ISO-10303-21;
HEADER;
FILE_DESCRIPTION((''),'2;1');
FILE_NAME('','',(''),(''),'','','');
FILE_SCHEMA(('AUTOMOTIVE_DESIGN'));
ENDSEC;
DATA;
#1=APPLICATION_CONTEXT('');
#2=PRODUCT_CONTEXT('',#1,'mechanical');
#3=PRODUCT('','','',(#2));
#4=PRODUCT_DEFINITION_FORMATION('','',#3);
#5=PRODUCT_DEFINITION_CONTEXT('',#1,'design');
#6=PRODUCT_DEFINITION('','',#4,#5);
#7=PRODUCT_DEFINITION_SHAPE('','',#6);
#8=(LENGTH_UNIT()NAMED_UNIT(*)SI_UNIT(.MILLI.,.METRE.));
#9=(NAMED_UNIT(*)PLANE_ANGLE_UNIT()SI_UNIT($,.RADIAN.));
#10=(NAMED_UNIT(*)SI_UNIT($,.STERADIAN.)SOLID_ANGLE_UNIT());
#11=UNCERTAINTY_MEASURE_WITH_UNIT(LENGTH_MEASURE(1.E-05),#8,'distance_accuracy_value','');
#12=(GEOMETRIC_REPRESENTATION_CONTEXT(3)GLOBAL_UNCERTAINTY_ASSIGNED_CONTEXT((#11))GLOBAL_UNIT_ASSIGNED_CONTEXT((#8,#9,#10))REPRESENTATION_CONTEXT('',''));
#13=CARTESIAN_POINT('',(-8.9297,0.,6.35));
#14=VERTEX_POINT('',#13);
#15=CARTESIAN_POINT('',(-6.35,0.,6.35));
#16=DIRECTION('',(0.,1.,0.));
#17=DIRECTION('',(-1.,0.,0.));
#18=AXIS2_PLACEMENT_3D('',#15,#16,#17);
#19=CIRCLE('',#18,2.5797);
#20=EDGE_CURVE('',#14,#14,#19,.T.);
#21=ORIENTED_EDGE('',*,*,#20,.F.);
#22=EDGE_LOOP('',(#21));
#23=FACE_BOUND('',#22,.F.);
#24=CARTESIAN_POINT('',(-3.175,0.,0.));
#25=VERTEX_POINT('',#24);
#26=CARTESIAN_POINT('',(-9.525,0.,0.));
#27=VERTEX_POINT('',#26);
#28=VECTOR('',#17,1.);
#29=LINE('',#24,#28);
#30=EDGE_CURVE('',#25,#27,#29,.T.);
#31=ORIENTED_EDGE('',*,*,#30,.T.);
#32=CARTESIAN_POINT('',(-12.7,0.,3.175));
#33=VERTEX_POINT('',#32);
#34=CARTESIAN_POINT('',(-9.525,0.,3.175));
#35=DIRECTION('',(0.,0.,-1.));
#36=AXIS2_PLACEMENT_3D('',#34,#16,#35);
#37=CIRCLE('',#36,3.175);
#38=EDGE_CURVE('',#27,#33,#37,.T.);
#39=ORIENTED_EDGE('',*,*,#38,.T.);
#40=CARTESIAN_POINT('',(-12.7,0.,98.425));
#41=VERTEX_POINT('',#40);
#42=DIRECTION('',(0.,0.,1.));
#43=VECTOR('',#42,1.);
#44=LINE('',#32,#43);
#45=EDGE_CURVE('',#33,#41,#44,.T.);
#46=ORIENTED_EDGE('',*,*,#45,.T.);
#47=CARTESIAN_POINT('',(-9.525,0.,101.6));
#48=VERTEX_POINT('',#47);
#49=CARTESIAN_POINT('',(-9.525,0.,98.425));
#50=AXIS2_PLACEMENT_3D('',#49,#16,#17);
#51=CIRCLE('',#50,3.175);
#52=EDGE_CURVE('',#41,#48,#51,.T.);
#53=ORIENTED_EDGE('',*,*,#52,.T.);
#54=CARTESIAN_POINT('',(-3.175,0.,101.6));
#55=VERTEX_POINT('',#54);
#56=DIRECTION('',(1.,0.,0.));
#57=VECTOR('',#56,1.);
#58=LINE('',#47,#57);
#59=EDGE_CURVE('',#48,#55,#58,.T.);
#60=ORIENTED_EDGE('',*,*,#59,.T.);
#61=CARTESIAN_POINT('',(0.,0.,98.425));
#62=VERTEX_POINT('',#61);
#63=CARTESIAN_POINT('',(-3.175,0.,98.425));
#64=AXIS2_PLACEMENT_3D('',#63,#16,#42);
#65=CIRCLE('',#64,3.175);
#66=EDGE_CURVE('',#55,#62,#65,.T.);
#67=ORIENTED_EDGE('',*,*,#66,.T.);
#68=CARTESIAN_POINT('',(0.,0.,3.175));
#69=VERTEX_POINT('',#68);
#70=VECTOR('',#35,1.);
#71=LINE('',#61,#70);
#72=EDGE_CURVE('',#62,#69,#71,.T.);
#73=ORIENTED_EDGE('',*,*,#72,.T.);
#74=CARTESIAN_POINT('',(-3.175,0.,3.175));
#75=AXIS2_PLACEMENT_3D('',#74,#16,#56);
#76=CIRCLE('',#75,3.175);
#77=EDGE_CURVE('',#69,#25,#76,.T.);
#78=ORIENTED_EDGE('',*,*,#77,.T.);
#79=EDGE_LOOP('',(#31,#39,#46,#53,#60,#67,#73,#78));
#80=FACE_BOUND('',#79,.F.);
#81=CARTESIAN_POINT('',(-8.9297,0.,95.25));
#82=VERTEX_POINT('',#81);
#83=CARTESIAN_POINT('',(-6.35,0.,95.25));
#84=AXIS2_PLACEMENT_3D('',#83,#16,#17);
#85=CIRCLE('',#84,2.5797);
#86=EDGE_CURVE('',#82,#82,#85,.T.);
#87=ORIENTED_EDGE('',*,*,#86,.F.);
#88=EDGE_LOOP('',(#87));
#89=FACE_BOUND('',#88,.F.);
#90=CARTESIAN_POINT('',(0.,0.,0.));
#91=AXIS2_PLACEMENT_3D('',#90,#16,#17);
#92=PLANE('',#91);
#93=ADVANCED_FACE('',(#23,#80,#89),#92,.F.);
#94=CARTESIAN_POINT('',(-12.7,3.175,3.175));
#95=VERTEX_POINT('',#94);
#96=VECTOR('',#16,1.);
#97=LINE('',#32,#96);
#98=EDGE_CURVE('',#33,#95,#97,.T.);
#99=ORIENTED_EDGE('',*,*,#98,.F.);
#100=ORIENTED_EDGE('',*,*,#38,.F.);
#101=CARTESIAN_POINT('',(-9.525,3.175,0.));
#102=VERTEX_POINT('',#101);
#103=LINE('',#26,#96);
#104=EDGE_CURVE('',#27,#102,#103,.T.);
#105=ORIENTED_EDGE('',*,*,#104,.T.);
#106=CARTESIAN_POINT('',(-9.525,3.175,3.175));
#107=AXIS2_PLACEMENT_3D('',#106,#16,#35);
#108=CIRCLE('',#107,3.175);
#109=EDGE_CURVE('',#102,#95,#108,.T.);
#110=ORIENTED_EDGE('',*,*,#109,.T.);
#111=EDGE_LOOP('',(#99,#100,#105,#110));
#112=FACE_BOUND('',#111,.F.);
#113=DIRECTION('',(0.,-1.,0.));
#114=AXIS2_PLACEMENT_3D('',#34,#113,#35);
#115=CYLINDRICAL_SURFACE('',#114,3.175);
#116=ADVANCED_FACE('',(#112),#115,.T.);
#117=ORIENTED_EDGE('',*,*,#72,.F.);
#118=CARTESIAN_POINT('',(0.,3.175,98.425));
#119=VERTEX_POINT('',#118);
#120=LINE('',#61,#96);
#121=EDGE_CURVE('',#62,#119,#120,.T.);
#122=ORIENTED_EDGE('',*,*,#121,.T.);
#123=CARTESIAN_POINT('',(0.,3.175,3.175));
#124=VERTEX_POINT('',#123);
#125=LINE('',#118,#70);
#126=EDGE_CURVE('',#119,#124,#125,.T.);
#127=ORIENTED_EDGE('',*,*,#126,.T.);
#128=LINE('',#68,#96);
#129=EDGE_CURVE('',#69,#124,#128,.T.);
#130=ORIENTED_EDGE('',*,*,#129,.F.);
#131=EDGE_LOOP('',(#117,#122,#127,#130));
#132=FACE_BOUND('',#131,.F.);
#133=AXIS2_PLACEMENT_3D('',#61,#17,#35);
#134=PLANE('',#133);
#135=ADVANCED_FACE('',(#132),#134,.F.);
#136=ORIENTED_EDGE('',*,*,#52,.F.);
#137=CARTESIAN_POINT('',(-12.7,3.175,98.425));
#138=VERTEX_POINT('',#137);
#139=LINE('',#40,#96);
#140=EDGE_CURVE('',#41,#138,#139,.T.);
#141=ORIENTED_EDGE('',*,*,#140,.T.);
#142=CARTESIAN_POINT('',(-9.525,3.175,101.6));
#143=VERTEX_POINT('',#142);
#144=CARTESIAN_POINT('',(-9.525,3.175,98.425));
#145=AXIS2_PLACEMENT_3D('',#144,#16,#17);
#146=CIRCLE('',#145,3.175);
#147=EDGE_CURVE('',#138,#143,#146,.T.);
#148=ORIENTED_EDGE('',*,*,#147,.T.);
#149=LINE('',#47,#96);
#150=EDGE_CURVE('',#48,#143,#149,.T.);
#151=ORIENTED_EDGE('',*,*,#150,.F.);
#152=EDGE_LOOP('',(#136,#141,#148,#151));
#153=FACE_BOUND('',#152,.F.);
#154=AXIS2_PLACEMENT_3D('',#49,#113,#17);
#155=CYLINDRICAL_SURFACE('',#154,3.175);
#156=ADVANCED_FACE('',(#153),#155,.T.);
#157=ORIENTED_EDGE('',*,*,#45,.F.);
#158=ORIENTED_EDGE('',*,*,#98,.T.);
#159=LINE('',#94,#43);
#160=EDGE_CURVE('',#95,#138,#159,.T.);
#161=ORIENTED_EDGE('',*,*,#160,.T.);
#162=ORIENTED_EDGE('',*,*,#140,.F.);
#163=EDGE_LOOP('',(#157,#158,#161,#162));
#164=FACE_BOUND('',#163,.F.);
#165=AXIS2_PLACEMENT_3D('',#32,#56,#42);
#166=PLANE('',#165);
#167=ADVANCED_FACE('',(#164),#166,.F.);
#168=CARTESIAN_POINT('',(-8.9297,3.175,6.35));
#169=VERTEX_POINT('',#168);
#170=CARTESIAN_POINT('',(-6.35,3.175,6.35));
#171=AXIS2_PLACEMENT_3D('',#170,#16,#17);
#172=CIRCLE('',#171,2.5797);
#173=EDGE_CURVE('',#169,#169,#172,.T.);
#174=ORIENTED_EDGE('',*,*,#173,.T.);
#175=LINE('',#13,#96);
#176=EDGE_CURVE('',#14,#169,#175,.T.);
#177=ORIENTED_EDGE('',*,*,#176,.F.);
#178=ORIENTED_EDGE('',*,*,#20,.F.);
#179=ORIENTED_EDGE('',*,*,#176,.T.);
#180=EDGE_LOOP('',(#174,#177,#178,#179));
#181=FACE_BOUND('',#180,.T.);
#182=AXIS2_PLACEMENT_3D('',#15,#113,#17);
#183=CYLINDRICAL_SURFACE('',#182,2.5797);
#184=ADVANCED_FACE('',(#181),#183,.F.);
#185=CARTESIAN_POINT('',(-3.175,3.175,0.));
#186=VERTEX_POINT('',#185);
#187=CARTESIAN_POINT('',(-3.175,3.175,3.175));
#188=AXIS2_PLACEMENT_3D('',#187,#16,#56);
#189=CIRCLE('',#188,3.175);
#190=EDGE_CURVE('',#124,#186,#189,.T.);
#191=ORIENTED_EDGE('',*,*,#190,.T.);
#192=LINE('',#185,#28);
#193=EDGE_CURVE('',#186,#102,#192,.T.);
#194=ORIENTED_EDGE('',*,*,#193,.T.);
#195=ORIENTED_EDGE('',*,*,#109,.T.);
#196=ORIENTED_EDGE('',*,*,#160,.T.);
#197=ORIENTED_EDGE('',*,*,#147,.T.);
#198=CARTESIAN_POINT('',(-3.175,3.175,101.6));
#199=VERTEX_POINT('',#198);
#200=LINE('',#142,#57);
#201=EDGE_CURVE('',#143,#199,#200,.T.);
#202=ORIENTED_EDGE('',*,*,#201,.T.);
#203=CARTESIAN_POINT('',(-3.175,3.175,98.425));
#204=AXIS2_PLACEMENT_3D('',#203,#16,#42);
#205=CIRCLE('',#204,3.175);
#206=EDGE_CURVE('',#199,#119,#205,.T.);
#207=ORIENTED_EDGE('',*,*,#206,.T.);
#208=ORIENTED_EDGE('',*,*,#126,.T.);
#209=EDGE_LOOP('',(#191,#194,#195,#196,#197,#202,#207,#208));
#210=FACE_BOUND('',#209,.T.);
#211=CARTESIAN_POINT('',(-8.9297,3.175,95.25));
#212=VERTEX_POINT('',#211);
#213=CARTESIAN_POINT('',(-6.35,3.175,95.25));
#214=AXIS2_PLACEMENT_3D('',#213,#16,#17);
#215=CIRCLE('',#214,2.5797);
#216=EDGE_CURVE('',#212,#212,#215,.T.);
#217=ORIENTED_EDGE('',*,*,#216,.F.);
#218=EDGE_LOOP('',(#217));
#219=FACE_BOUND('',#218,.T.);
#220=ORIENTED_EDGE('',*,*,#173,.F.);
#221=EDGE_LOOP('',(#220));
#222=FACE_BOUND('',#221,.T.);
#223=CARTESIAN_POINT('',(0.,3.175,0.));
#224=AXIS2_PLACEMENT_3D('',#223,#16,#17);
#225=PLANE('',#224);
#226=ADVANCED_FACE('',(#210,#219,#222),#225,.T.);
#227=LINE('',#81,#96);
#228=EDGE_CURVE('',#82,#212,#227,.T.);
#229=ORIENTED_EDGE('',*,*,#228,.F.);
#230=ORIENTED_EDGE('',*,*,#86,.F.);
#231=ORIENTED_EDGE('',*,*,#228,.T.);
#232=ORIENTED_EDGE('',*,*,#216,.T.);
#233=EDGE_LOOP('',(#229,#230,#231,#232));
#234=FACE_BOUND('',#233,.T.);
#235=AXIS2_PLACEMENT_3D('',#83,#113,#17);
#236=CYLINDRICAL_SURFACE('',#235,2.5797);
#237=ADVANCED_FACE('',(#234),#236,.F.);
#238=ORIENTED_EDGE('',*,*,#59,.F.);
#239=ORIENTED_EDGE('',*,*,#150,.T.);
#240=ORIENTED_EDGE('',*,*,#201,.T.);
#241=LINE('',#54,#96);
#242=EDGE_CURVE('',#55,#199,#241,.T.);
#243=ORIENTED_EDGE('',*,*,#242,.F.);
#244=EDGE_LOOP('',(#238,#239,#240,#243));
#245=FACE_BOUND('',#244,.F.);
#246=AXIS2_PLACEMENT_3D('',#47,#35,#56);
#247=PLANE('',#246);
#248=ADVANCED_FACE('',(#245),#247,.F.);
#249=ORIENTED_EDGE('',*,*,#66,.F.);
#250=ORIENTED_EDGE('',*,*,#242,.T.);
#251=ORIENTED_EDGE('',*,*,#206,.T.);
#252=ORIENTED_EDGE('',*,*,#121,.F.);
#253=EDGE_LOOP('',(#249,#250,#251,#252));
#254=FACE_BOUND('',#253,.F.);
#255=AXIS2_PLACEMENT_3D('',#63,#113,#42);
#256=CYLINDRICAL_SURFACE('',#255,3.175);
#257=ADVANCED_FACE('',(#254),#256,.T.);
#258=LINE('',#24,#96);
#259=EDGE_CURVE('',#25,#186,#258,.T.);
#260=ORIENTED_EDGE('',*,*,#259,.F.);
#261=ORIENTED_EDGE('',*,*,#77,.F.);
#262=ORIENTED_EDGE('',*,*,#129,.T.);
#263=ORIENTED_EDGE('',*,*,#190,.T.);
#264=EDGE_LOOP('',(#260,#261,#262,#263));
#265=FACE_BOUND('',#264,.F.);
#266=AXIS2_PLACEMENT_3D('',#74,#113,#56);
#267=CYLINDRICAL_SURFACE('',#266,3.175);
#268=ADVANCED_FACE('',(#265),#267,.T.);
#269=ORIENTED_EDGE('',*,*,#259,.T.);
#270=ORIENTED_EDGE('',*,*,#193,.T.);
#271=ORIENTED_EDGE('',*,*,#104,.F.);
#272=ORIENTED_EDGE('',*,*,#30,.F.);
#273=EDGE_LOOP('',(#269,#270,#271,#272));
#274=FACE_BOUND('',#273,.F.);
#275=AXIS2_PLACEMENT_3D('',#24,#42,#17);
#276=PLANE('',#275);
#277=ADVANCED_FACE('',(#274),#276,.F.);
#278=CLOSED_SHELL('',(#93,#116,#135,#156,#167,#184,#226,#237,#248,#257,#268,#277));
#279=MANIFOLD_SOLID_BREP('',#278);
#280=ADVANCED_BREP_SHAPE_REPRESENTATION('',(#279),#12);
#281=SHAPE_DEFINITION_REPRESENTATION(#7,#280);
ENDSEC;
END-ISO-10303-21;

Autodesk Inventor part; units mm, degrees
ref_plane "YZ Plane" through (0, 0, 0) normal (1, 0, 0) x (0, 1, 0)
ref_plane "XZ Plane" through (0, 0, 0) normal (0, 1, 0) x (-1, 0, 0)
ref_plane "XY Plane" through (0, 0, 0) normal (0, 0, 1) x (1, 0, 0)
sketch "Sketch1" plane through (0, 0, 0) normal (0, 1, 0) x (-1, 0, 0)
  line L0 (3.175, 0) -> (9.525, 0)
  line L1 (12.7, 3.175) -> (12.7, 98.425)
  line L2 (9.525, 101.6) -> (3.175, 101.6)
  line L3 (0, 98.425) -> (0, 3.175)
  circle A0 centre (6.35, 95.25) radius 2.5797
  circle A1 centre (6.35, 6.35) radius 2.5797
  arc A2 (12.7, 98.425) -> (9.525, 101.6) centre (9.525, 98.425) ccw
  arc A3 (3.175, 101.6) -> (0, 98.425) centre (3.175, 98.425) ccw
  arc A4 (0, 3.175) -> (3.175, 0) centre (3.175, 3.175) ccw
  arc A5 (9.525, 0) -> (12.7, 3.175) centre (9.525, 3.175) ccw
  point P0 (0, 0)
  point P1 (12.7, 101.6)
  point P2 (0, 101.6)
  dimension "d0" = 12.7
  dimension "d1" = 101.6
  dimension "d2" = 6.35
  dimension "d3" = 6.35
  dimension "d4" = 6.35
  dimension "d5" = 6.35
  dimension "d6" = 5.1594
  dimension "d7" = 3.175
extrude "Extrusion1" add sketch "Sketch1" along normal blind 3.175
equation "\"d2\" = 0.5 * d0"
equation "\"d3\" = d2"
equation "\"d4\" = d3"
equation "\"d5\" = d4"
properties part number "Pusher"
